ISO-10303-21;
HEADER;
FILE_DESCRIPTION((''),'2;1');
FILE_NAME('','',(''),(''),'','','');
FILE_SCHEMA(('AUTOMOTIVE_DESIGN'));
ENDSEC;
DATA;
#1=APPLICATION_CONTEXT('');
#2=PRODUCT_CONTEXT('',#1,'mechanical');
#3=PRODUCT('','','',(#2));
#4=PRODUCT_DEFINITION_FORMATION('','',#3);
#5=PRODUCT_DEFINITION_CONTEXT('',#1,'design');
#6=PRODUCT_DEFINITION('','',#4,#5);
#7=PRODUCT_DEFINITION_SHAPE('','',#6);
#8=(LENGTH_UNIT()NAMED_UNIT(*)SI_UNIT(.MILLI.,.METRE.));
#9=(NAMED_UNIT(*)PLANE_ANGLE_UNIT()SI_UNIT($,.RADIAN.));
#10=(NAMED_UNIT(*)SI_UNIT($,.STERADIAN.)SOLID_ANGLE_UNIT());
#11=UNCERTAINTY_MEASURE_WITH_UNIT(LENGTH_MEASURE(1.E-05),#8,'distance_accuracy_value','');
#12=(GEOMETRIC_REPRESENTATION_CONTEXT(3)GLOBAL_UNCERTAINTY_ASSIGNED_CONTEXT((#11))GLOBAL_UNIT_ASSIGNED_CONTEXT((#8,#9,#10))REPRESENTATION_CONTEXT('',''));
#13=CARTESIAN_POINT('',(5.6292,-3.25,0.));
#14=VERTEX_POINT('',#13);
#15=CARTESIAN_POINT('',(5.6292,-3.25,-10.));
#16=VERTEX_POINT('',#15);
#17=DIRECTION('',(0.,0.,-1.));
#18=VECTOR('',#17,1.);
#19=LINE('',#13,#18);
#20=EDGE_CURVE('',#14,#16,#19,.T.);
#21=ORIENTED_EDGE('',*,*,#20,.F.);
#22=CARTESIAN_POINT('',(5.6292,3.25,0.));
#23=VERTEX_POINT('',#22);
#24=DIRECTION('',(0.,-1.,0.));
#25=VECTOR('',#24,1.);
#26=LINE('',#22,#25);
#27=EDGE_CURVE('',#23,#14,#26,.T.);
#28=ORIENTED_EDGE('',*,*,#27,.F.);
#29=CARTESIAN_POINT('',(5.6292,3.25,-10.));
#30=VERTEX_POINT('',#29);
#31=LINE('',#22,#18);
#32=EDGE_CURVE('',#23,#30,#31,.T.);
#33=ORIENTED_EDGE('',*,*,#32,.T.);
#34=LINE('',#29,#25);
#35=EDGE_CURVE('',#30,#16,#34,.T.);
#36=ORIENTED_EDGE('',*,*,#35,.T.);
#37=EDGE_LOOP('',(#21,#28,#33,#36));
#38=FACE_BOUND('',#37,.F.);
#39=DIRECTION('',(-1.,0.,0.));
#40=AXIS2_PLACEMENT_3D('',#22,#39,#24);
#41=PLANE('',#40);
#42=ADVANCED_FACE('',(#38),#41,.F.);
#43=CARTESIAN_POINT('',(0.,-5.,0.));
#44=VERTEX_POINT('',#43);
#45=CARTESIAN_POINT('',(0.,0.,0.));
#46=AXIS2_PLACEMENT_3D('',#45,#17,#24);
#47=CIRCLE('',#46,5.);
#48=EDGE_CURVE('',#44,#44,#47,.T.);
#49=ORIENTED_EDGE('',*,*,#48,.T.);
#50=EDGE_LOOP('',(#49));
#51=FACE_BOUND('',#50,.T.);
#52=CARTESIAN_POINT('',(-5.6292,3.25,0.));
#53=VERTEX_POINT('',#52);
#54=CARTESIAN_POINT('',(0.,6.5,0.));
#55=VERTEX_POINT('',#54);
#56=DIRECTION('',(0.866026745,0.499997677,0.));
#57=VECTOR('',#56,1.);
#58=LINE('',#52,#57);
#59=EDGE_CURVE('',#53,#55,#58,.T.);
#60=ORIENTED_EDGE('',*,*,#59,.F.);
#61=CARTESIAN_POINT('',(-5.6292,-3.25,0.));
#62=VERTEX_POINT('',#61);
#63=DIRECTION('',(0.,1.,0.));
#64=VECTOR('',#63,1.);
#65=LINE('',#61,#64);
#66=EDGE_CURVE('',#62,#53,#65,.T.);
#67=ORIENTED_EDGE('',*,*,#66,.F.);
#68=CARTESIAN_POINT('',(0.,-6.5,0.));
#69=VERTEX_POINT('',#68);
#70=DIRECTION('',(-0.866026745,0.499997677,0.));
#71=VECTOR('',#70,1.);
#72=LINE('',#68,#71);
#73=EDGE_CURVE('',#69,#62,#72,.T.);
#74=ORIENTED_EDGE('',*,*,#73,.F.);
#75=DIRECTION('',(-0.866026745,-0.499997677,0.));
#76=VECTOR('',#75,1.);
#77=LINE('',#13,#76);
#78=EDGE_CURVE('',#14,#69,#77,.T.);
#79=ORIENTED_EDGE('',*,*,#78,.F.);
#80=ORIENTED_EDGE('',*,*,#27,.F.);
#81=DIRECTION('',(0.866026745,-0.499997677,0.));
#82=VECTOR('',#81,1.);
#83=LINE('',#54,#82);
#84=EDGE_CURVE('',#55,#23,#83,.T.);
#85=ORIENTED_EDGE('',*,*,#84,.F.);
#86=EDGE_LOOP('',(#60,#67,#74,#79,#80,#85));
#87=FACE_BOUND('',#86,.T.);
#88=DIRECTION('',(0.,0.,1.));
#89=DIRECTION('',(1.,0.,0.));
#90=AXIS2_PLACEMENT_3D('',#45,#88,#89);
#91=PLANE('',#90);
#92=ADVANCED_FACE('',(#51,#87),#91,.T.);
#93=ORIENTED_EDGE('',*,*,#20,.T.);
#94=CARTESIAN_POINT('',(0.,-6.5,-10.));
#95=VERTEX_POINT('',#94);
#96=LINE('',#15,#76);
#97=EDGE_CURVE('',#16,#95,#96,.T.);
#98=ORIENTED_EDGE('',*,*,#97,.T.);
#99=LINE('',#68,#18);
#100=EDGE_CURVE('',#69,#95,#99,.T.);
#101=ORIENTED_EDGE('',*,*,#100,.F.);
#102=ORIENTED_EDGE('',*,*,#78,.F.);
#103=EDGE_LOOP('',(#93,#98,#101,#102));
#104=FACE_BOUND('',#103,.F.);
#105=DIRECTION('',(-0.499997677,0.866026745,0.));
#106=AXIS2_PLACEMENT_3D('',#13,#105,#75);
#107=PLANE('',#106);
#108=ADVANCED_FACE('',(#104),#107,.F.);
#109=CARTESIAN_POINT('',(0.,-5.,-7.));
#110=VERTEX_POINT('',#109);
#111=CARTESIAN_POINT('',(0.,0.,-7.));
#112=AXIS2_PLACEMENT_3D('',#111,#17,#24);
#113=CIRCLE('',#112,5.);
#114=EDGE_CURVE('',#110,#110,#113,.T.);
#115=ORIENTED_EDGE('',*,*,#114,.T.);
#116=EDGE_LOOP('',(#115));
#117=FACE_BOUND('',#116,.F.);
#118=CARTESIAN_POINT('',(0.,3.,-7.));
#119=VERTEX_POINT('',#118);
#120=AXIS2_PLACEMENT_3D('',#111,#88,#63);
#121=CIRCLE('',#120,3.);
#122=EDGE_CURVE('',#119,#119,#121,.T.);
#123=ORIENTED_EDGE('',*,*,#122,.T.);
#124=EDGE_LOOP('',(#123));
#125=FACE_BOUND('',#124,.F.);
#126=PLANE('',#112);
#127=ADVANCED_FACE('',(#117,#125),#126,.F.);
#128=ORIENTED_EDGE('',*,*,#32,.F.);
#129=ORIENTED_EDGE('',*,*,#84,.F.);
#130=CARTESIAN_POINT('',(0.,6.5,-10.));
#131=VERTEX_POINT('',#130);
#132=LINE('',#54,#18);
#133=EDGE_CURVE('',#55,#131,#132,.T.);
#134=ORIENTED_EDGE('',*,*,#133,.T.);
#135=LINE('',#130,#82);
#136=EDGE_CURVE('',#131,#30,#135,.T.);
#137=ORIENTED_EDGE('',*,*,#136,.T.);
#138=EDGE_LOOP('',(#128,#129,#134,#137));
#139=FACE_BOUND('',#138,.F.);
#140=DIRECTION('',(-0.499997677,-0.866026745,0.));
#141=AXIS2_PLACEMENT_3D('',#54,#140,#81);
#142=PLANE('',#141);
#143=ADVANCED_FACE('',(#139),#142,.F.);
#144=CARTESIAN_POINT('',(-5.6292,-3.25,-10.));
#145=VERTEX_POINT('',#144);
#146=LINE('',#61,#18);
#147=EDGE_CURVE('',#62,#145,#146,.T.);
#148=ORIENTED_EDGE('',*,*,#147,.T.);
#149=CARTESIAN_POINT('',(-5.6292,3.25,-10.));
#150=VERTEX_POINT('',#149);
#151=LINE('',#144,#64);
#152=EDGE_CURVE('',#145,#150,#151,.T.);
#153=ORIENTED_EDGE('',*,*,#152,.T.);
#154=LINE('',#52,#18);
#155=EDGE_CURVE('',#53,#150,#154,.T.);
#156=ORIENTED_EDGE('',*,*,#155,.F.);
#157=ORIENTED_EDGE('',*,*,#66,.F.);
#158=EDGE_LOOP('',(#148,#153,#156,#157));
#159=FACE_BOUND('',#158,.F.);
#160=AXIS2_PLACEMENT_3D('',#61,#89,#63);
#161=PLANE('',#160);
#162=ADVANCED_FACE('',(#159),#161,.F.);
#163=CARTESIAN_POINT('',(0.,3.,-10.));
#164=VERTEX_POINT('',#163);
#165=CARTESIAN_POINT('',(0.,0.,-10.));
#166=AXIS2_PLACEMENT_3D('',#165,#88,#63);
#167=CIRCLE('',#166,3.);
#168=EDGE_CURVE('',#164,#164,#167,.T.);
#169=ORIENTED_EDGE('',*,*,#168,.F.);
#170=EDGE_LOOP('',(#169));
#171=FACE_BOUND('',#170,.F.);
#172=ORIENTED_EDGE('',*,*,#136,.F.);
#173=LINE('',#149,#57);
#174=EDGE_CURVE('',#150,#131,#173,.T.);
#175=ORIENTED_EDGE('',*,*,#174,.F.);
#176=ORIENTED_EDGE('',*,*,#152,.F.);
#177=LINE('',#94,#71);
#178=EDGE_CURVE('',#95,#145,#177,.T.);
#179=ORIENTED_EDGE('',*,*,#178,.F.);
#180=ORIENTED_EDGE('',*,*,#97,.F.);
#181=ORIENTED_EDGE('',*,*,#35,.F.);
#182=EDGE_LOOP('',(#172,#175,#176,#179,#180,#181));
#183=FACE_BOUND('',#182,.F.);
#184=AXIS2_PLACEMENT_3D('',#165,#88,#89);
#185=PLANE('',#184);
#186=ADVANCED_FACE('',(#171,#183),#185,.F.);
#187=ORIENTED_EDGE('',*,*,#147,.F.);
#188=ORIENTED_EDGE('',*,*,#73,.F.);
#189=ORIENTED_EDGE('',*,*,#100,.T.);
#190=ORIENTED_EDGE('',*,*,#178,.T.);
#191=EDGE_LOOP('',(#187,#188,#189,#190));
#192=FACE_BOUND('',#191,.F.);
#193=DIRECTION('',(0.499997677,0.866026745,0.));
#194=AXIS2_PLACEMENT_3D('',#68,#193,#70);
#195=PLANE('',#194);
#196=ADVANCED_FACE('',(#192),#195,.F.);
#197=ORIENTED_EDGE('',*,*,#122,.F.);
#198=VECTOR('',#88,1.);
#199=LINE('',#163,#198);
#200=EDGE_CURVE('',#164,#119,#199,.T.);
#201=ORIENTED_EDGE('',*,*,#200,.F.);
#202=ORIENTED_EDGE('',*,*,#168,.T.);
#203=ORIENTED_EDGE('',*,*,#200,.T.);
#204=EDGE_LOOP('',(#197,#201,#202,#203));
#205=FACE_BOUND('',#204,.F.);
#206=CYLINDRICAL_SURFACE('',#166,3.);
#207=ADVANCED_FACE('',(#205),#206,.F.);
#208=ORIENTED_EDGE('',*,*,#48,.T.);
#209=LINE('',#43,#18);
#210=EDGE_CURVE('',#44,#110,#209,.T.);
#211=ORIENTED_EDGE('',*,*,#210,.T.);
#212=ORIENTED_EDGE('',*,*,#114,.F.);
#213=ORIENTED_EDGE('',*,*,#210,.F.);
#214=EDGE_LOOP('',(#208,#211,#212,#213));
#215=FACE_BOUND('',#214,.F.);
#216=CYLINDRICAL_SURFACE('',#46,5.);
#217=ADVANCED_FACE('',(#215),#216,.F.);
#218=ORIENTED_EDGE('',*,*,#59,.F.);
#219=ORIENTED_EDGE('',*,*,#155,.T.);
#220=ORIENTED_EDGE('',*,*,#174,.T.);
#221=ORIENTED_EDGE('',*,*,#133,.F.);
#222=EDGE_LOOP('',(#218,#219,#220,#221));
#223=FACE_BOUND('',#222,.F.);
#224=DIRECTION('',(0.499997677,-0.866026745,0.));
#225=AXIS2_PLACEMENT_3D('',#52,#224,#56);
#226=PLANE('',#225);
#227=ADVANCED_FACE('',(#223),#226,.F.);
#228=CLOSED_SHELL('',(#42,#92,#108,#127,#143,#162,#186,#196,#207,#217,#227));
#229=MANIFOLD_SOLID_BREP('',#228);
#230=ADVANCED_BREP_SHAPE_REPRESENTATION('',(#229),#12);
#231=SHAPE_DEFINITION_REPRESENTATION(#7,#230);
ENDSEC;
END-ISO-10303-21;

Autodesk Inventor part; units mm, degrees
ref_plane "YZ Plane" through (0, 0, 0) normal (1, 0, 0) x (0, 1, 0)
ref_plane "XZ Plane" through (0, 0, 0) normal (0, 1, 0) x (-1, 0, 0)
ref_plane "XY Plane" through (0, 0, 0) normal (0, 0, 1) x (1, 0, 0)
sketch "Sketch1" plane through (0, 0, 0) normal (0, 0, 1) x (1, 0, 0)
  line L0 (0, 6.5) -> (5.6292, 3.25)
  line L1 (5.6292, 3.25) -> (5.6292, -3.25)
  line L2 (5.6292, -3.25) -> (0, -6.5)
  line L3 (0, -6.5) -> (-5.6292, -3.25)
  line L4 (-5.6292, -3.25) -> (-5.6292, 3.25)
  line L5 (-5.6292, 3.25) -> (0, 6.5)
  point P0 (0, 0)
  point P1 (0, 0)
  dimension "d0" = 13
extrude "Extrusion1" add sketch "Sketch1" against normal blind 10
sketch "Sketch2" plane through (0, 0, 0) normal (0, 0, 1) x (1, 0, 0)
  point P0 (0, 0)
  point P1 (0, 0)
hole "Hole1" at (0, 0, 0) direction (0, 0, -1) diameter 10 depth 7
thread "Thread1" size "M10x1.5" class "6H" standard "ISO Metric profile" length 10
sketch "Sketch3" plane through (0, 0, -10) normal (0, 0, -1) x (-1, 0, 0)
  point P0 (0, 0)
  point P1 (0, 0)
hole "Hole2" at (0, 0, -10) direction (0, 0, 1) diameter 6 depth 4
properties part number "124"
